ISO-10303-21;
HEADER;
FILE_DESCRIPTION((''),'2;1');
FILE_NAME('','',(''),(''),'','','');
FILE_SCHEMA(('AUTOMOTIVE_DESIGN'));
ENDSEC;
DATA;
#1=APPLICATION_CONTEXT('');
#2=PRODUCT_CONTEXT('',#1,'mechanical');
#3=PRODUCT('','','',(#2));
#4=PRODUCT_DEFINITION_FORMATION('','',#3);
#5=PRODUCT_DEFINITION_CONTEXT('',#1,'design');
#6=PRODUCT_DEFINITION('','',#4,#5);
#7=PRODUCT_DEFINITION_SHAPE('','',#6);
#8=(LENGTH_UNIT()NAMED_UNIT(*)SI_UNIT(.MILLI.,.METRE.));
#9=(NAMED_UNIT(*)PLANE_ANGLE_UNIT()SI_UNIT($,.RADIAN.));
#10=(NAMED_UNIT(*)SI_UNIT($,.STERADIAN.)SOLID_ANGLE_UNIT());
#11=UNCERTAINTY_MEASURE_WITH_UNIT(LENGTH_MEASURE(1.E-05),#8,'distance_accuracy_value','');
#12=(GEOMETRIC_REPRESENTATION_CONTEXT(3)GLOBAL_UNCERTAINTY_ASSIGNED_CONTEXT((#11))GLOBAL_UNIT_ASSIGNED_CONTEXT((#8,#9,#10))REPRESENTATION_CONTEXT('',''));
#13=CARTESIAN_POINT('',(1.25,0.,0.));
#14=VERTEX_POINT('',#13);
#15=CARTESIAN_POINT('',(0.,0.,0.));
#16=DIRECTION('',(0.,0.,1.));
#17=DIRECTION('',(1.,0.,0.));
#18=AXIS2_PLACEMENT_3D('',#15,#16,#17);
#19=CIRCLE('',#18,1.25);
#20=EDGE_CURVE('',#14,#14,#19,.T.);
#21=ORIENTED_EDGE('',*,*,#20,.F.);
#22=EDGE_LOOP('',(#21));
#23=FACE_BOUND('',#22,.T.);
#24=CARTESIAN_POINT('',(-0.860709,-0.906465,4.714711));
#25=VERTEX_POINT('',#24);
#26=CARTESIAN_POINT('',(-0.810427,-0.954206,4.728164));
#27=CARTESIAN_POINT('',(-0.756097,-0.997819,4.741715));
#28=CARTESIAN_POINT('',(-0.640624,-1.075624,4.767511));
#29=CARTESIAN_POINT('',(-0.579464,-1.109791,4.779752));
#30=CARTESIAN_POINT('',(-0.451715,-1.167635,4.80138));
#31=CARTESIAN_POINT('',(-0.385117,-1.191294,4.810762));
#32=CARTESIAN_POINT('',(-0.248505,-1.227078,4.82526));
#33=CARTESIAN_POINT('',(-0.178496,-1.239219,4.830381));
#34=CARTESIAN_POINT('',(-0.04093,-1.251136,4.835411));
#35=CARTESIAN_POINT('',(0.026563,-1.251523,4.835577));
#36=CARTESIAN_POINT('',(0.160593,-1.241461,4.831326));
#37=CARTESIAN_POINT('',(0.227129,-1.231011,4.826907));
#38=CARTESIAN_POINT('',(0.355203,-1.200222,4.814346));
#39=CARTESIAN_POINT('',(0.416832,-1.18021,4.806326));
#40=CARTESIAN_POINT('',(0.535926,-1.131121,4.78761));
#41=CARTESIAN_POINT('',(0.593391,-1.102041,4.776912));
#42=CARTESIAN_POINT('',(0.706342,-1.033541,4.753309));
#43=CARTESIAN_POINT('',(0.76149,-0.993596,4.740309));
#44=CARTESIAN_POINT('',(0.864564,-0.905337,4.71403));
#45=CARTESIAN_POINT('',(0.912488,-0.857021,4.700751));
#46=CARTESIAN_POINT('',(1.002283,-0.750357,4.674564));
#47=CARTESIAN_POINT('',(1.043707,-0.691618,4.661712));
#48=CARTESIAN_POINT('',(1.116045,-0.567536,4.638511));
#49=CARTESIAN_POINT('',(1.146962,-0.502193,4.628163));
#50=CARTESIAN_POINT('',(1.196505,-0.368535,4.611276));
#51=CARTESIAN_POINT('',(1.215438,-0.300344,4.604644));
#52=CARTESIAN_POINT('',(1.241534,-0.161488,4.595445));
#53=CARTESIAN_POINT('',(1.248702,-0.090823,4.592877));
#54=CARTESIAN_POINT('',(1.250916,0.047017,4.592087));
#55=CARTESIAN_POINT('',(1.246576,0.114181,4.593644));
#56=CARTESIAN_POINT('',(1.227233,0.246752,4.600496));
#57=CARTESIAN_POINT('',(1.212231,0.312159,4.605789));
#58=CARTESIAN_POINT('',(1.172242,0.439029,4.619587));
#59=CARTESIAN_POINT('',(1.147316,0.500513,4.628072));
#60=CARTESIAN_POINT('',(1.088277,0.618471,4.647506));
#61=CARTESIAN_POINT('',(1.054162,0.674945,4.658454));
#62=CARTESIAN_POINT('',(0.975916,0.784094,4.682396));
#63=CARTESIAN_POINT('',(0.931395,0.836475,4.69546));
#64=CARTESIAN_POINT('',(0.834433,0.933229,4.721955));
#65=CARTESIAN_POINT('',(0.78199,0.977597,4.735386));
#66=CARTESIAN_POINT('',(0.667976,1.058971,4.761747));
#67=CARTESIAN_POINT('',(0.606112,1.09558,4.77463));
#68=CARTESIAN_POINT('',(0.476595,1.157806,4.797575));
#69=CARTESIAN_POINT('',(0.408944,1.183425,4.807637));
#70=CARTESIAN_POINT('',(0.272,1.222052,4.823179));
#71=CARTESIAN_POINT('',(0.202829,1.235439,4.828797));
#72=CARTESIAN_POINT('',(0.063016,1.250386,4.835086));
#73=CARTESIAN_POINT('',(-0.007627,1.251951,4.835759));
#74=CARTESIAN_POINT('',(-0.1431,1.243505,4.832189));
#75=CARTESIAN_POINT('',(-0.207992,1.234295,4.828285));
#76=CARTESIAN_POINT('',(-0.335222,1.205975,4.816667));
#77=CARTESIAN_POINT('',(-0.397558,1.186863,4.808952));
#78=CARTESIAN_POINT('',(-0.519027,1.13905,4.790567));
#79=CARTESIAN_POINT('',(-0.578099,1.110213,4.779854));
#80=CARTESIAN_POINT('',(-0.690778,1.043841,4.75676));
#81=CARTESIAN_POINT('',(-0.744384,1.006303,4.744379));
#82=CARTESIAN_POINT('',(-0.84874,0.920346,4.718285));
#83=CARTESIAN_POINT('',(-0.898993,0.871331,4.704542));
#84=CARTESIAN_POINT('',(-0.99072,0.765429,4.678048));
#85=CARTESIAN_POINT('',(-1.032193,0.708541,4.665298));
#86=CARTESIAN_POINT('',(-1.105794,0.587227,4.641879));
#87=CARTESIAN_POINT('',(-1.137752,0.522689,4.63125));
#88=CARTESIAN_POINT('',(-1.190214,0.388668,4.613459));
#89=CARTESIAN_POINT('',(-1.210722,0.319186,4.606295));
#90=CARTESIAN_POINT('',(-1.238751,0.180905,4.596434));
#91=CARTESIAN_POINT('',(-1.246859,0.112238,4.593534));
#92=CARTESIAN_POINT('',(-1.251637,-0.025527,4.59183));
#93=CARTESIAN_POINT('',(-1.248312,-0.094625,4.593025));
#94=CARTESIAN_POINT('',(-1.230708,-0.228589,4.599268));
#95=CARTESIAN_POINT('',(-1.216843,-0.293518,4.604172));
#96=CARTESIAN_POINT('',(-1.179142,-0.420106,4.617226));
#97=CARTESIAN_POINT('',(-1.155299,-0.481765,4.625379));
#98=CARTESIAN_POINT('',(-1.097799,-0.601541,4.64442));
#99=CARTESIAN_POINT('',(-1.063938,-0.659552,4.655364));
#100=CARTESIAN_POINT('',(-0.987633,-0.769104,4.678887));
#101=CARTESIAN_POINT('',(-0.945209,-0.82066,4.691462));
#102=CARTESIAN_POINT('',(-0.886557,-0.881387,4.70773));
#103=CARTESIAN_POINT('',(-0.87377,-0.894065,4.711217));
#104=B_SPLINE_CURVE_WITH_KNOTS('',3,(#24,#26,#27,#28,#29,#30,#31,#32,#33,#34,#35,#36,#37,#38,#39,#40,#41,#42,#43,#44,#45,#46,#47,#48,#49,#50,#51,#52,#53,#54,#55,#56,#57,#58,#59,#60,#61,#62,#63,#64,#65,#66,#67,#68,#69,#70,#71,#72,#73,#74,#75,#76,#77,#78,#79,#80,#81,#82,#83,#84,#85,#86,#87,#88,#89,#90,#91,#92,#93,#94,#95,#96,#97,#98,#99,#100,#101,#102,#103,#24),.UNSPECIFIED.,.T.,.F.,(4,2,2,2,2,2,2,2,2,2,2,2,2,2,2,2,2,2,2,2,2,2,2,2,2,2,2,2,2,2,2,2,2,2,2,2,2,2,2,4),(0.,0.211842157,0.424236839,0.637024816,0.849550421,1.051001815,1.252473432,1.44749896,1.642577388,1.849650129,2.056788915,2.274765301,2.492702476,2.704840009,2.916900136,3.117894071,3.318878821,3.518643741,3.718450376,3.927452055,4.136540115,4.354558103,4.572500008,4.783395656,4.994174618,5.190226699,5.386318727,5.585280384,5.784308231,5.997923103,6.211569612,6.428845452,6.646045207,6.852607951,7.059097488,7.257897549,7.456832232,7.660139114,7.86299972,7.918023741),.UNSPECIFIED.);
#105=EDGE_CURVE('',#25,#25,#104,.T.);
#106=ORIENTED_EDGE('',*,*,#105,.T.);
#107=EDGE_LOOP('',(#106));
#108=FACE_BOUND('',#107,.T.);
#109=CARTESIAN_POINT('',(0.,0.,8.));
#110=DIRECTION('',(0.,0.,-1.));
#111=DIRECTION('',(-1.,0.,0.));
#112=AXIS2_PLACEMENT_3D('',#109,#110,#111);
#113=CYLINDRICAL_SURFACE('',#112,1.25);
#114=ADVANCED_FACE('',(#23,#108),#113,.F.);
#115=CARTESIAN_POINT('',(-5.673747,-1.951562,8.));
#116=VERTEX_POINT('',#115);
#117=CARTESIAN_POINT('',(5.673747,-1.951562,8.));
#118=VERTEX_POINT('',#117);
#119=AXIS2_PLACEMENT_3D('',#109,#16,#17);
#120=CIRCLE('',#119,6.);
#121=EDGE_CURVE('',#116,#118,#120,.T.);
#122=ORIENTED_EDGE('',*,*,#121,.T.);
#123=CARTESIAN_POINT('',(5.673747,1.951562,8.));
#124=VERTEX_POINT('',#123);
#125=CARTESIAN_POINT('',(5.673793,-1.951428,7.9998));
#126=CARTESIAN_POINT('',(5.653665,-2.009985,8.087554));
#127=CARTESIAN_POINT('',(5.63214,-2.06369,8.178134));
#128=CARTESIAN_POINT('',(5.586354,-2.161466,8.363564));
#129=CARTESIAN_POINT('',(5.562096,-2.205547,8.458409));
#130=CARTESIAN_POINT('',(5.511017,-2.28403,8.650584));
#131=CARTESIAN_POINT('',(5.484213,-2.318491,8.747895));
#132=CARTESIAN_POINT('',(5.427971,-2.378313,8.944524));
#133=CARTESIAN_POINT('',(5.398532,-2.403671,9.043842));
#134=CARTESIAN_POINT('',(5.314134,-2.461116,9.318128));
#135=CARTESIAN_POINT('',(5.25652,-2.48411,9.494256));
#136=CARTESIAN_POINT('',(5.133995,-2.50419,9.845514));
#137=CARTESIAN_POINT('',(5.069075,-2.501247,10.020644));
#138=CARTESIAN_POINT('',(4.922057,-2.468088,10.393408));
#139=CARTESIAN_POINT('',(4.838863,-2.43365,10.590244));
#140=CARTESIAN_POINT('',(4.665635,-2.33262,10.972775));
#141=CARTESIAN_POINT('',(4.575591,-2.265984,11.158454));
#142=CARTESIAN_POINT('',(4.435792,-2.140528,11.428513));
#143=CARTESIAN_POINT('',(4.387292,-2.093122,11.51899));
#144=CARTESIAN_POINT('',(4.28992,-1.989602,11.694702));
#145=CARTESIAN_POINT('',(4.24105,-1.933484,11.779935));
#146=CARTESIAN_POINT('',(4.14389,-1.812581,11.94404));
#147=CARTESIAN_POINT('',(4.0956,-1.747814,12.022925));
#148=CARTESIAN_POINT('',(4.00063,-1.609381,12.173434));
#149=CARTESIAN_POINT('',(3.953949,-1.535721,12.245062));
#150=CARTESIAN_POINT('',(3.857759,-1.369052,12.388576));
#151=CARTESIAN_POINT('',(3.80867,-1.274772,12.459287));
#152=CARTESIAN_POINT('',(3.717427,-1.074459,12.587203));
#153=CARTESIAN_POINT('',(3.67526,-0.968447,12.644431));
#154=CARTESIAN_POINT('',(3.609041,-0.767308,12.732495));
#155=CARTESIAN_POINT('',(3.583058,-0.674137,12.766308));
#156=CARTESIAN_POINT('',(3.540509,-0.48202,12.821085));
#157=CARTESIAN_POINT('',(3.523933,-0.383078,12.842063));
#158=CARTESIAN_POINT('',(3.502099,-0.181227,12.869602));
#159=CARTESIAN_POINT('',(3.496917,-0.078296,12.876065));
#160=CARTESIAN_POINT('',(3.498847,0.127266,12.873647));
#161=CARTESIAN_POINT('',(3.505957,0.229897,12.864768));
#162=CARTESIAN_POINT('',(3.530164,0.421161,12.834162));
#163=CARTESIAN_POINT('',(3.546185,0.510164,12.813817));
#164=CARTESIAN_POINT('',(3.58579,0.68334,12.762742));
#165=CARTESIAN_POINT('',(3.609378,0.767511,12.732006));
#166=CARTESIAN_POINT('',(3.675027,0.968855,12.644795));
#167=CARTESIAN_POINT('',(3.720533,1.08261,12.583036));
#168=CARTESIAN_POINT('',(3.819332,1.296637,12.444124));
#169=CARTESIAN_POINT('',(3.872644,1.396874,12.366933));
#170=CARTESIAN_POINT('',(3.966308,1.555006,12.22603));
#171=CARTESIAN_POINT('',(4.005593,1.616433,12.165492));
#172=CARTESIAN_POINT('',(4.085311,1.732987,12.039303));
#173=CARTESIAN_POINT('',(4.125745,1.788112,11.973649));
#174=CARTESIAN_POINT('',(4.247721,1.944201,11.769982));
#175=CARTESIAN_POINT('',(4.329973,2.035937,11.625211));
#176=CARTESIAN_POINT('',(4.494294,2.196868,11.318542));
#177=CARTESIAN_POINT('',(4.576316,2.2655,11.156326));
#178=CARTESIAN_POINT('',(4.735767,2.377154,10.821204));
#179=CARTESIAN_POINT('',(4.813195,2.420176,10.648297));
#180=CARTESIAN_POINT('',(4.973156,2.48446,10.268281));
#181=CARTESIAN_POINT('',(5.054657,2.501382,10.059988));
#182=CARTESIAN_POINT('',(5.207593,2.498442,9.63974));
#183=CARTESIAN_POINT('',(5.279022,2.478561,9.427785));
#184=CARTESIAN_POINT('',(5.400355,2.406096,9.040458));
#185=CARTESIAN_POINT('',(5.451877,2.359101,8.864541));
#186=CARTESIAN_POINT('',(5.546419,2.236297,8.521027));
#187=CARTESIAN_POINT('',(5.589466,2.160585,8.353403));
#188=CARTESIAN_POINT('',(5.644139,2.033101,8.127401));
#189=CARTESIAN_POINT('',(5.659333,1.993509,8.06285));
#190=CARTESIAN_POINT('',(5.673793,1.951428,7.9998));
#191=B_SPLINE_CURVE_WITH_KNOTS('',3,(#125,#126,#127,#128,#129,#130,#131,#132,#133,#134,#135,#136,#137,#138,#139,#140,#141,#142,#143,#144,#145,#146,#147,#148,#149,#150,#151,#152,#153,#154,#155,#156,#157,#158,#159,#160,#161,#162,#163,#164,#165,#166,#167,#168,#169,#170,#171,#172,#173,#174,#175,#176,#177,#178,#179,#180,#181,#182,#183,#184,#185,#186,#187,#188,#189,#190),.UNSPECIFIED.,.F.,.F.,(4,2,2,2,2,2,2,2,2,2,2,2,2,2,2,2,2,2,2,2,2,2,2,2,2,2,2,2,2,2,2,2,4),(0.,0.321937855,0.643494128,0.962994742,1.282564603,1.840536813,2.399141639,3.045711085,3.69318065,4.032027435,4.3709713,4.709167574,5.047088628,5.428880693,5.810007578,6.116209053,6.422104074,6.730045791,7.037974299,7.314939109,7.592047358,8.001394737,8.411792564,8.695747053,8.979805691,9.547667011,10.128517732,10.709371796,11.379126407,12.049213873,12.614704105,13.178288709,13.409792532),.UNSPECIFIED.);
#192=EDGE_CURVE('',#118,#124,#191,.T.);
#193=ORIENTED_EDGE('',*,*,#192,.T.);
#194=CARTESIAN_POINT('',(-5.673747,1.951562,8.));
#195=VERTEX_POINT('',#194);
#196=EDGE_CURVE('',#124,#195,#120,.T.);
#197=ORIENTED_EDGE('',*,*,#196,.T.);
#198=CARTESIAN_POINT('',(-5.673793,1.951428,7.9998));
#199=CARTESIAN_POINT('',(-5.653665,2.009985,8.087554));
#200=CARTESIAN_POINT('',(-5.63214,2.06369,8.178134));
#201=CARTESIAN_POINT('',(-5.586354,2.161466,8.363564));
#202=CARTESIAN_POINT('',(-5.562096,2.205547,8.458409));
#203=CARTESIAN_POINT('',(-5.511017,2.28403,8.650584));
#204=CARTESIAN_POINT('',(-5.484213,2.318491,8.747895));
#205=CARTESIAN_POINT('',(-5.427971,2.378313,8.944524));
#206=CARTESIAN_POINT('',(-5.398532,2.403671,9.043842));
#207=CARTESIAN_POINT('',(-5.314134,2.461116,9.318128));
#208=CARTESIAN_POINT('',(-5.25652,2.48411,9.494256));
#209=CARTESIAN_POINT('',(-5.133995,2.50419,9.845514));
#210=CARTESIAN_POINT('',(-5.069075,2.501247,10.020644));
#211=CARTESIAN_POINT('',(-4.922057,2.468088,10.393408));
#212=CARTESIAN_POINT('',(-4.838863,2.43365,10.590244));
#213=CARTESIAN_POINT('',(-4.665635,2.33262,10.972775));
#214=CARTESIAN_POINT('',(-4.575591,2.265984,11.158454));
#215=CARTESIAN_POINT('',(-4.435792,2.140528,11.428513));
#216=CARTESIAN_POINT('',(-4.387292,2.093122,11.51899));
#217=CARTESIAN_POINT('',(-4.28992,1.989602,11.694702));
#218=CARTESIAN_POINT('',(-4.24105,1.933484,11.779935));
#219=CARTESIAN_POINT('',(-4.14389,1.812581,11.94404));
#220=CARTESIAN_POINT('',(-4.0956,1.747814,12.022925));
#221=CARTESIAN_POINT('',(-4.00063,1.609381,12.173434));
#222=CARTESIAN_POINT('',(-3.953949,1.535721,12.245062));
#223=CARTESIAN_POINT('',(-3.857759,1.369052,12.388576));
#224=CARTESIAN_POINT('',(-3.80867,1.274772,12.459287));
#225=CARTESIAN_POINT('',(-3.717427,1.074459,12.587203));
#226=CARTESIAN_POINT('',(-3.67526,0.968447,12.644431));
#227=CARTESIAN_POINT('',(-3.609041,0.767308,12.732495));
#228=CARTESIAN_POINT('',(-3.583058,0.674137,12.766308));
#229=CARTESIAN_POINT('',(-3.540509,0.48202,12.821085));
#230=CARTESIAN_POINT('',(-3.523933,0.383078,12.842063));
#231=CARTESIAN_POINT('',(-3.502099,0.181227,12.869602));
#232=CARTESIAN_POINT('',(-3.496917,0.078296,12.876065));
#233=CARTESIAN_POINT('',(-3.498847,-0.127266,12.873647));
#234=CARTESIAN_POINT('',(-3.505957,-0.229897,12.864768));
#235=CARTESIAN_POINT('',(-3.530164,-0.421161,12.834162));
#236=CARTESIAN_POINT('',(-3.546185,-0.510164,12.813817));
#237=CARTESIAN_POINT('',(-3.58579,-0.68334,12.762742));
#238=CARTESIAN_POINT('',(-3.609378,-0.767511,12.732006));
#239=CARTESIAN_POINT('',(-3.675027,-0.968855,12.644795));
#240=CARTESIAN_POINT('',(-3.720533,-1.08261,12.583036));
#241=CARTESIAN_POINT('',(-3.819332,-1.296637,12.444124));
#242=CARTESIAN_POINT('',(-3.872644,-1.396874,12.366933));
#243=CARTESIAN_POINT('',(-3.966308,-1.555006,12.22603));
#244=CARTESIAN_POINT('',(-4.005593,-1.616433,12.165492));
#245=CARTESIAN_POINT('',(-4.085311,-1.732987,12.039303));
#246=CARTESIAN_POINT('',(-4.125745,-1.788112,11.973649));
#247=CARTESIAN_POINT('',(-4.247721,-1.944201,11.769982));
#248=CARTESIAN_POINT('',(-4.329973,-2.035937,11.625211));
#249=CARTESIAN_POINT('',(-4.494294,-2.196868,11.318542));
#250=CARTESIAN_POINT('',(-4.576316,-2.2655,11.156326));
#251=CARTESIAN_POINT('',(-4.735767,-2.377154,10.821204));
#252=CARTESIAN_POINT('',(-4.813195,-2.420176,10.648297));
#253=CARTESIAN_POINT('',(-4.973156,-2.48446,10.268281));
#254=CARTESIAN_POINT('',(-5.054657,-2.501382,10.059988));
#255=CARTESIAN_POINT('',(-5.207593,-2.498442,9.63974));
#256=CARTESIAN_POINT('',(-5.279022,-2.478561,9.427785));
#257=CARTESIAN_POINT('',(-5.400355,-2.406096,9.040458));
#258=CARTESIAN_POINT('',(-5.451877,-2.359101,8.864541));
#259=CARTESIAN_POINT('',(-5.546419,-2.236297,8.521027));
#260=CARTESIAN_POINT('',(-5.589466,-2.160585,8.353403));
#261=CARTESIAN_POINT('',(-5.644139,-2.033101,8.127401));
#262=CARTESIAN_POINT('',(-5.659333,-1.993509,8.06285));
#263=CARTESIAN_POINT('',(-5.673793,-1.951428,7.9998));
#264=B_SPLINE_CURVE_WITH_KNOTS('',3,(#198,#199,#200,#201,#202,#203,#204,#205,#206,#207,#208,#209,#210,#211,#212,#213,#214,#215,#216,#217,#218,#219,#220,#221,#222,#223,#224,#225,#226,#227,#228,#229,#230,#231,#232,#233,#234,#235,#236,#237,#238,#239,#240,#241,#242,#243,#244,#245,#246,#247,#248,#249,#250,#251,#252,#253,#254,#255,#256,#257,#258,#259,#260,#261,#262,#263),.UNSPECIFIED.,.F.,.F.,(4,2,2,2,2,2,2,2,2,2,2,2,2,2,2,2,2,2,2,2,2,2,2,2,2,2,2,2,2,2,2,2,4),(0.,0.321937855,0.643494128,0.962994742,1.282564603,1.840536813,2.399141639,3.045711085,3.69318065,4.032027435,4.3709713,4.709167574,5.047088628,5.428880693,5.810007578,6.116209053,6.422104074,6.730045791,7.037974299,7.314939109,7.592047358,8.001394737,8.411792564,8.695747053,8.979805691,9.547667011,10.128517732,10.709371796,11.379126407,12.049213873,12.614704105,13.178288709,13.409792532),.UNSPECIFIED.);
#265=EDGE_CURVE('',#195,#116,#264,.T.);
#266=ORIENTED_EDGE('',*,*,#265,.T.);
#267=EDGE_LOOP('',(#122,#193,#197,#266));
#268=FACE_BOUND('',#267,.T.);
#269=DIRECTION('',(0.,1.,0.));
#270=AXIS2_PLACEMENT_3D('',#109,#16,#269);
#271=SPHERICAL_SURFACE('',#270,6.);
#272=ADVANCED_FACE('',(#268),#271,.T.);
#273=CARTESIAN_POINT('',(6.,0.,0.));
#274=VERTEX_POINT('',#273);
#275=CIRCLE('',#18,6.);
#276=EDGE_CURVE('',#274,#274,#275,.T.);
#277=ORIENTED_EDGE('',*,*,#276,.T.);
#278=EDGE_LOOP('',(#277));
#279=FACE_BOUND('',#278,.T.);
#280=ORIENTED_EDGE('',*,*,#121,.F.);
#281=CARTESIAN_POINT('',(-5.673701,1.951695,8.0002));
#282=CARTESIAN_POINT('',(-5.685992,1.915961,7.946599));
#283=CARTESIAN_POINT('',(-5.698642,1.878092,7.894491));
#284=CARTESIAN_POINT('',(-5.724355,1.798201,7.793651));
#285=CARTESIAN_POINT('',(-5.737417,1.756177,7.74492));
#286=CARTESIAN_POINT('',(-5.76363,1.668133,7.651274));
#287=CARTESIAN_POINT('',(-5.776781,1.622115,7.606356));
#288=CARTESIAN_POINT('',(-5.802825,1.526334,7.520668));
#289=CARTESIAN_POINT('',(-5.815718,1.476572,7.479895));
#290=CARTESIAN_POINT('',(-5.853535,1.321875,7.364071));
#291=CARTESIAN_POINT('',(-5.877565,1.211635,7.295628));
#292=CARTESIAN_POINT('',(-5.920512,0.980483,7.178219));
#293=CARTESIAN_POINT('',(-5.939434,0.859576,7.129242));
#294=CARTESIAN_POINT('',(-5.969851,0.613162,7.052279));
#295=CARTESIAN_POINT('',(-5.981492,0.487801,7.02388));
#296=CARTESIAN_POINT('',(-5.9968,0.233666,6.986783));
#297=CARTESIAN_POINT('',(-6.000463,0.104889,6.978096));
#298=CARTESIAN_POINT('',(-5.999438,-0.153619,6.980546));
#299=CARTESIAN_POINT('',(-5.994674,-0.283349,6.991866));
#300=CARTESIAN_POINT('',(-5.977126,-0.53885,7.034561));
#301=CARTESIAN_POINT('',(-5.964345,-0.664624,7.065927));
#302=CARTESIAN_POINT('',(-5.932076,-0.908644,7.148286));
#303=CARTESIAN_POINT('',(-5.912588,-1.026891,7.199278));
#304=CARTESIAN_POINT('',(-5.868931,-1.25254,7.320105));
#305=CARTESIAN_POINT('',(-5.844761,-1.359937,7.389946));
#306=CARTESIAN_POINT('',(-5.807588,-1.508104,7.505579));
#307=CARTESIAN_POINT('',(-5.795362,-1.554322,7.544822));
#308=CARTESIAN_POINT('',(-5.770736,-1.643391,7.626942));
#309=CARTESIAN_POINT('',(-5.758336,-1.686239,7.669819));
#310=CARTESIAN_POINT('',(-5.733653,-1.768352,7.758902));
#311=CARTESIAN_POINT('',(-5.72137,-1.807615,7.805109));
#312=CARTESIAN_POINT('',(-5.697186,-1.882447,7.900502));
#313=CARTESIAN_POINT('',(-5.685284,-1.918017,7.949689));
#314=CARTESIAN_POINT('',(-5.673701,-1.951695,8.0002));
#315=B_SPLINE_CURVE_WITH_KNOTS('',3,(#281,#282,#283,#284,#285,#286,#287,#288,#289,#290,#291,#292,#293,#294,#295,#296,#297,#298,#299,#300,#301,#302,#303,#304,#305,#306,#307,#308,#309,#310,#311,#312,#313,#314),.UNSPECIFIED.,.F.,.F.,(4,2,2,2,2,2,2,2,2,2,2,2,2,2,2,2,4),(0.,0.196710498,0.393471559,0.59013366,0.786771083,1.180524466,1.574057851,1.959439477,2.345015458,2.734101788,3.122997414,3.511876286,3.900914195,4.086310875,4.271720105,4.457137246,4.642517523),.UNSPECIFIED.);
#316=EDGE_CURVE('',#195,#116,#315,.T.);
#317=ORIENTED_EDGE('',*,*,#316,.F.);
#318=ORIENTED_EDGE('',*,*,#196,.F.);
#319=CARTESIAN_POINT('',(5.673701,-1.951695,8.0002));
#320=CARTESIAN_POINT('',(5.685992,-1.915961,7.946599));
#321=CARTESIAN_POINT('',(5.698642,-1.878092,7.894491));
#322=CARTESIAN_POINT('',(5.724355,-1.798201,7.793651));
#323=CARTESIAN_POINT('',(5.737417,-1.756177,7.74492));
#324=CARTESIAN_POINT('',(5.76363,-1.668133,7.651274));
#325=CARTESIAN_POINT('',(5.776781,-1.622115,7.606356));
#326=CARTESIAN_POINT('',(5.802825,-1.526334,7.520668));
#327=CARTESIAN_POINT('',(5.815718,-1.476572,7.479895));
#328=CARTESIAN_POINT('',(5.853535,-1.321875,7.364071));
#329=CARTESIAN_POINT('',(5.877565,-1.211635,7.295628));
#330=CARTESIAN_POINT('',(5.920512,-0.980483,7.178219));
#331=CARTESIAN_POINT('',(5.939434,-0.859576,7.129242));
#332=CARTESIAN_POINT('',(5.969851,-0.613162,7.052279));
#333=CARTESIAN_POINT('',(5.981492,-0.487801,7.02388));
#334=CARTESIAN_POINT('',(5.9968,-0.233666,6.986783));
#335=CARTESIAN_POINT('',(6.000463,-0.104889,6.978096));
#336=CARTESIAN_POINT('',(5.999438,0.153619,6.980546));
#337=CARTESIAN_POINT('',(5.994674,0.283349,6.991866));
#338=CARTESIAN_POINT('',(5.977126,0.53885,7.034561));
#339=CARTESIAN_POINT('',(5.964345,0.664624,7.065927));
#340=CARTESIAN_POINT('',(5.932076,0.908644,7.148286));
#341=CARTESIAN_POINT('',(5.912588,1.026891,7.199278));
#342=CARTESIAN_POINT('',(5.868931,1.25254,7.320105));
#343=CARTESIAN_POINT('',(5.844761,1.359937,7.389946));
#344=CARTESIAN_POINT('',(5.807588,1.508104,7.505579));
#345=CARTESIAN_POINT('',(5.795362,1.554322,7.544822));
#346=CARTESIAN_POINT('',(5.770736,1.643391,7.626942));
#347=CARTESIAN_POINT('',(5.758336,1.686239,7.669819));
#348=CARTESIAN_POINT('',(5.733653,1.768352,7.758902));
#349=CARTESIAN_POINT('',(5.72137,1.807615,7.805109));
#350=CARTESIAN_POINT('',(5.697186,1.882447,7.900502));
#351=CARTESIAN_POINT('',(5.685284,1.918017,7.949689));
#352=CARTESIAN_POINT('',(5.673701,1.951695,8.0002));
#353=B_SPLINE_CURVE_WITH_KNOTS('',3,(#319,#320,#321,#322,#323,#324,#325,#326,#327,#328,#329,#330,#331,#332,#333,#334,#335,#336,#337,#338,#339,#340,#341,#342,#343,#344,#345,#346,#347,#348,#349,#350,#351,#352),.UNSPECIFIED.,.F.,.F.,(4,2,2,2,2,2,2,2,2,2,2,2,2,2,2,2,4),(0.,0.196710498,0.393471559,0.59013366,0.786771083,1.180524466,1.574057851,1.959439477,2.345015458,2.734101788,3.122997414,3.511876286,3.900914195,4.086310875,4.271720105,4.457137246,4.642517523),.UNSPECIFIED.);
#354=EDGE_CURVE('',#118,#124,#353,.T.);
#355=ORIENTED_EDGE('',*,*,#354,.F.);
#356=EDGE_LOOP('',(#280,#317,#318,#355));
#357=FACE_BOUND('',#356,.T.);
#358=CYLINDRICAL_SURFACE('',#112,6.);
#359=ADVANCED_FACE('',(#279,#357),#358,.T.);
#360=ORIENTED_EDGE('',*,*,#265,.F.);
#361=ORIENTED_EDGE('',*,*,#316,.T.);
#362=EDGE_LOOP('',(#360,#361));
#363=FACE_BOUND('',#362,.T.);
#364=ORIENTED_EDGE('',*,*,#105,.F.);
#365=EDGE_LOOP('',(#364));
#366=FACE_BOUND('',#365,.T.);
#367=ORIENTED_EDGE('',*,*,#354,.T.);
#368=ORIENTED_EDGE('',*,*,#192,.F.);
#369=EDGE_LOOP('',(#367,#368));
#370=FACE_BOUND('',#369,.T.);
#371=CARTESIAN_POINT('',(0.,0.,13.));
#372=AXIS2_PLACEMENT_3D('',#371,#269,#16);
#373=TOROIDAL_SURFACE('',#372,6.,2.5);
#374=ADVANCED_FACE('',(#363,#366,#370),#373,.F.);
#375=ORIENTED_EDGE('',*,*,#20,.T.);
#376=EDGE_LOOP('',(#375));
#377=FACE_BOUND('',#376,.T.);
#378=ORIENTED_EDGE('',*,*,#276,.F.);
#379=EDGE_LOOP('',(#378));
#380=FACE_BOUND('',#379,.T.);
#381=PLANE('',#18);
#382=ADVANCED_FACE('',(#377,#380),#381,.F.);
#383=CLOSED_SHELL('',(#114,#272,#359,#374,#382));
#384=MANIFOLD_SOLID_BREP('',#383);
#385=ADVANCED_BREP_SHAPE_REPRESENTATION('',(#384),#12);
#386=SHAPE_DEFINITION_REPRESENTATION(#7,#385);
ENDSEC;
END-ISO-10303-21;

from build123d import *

# Parameters (mm, degrees)
SKETCH1_R   = 6
SKETCH1_R_2 = 1.25
MAIN_DEPTH  = 8
SKETCH4_R   = 2.5


with BuildPart() as part:
    # Sketch1 → Main (new body)
    with BuildSketch(Plane.XY):
        Circle(SKETCH1_R)
        Circle(SKETCH1_R_2, mode=Mode.SUBTRACT)
    extrude(amount=MAIN_DEPTH)

    # Sketch3 → TopMain (revolve)
    with BuildSketch(Plane(origin=(0, 0, 0), x_dir=(0, 0, -1), z_dir=(1, 0, 0))):
        with BuildLine():
            Line((-8, 0), (-14, 0))
            ThreePointArc((-14, 0), (-12.242640687, -4.242640687), (-8, -6))
            Line((-8, -6), (-8, 0))
        make_face()
    revolve(axis=Axis((0, 0, 10.5), (0, 0, -1)))

    # Sketch4 → HookHole (revolve, cut)
    with BuildSketch(Plane(origin=(0, 0, 0), x_dir=(0, 0, -1), z_dir=(1, 0, 0))):
        with Locations((-7, 0)):
            Circle(SKETCH4_R)
    revolve(axis=Axis((0, 6.6, 13), (0, -1, 0)), mode=Mode.SUBTRACT)


solid = part.part
